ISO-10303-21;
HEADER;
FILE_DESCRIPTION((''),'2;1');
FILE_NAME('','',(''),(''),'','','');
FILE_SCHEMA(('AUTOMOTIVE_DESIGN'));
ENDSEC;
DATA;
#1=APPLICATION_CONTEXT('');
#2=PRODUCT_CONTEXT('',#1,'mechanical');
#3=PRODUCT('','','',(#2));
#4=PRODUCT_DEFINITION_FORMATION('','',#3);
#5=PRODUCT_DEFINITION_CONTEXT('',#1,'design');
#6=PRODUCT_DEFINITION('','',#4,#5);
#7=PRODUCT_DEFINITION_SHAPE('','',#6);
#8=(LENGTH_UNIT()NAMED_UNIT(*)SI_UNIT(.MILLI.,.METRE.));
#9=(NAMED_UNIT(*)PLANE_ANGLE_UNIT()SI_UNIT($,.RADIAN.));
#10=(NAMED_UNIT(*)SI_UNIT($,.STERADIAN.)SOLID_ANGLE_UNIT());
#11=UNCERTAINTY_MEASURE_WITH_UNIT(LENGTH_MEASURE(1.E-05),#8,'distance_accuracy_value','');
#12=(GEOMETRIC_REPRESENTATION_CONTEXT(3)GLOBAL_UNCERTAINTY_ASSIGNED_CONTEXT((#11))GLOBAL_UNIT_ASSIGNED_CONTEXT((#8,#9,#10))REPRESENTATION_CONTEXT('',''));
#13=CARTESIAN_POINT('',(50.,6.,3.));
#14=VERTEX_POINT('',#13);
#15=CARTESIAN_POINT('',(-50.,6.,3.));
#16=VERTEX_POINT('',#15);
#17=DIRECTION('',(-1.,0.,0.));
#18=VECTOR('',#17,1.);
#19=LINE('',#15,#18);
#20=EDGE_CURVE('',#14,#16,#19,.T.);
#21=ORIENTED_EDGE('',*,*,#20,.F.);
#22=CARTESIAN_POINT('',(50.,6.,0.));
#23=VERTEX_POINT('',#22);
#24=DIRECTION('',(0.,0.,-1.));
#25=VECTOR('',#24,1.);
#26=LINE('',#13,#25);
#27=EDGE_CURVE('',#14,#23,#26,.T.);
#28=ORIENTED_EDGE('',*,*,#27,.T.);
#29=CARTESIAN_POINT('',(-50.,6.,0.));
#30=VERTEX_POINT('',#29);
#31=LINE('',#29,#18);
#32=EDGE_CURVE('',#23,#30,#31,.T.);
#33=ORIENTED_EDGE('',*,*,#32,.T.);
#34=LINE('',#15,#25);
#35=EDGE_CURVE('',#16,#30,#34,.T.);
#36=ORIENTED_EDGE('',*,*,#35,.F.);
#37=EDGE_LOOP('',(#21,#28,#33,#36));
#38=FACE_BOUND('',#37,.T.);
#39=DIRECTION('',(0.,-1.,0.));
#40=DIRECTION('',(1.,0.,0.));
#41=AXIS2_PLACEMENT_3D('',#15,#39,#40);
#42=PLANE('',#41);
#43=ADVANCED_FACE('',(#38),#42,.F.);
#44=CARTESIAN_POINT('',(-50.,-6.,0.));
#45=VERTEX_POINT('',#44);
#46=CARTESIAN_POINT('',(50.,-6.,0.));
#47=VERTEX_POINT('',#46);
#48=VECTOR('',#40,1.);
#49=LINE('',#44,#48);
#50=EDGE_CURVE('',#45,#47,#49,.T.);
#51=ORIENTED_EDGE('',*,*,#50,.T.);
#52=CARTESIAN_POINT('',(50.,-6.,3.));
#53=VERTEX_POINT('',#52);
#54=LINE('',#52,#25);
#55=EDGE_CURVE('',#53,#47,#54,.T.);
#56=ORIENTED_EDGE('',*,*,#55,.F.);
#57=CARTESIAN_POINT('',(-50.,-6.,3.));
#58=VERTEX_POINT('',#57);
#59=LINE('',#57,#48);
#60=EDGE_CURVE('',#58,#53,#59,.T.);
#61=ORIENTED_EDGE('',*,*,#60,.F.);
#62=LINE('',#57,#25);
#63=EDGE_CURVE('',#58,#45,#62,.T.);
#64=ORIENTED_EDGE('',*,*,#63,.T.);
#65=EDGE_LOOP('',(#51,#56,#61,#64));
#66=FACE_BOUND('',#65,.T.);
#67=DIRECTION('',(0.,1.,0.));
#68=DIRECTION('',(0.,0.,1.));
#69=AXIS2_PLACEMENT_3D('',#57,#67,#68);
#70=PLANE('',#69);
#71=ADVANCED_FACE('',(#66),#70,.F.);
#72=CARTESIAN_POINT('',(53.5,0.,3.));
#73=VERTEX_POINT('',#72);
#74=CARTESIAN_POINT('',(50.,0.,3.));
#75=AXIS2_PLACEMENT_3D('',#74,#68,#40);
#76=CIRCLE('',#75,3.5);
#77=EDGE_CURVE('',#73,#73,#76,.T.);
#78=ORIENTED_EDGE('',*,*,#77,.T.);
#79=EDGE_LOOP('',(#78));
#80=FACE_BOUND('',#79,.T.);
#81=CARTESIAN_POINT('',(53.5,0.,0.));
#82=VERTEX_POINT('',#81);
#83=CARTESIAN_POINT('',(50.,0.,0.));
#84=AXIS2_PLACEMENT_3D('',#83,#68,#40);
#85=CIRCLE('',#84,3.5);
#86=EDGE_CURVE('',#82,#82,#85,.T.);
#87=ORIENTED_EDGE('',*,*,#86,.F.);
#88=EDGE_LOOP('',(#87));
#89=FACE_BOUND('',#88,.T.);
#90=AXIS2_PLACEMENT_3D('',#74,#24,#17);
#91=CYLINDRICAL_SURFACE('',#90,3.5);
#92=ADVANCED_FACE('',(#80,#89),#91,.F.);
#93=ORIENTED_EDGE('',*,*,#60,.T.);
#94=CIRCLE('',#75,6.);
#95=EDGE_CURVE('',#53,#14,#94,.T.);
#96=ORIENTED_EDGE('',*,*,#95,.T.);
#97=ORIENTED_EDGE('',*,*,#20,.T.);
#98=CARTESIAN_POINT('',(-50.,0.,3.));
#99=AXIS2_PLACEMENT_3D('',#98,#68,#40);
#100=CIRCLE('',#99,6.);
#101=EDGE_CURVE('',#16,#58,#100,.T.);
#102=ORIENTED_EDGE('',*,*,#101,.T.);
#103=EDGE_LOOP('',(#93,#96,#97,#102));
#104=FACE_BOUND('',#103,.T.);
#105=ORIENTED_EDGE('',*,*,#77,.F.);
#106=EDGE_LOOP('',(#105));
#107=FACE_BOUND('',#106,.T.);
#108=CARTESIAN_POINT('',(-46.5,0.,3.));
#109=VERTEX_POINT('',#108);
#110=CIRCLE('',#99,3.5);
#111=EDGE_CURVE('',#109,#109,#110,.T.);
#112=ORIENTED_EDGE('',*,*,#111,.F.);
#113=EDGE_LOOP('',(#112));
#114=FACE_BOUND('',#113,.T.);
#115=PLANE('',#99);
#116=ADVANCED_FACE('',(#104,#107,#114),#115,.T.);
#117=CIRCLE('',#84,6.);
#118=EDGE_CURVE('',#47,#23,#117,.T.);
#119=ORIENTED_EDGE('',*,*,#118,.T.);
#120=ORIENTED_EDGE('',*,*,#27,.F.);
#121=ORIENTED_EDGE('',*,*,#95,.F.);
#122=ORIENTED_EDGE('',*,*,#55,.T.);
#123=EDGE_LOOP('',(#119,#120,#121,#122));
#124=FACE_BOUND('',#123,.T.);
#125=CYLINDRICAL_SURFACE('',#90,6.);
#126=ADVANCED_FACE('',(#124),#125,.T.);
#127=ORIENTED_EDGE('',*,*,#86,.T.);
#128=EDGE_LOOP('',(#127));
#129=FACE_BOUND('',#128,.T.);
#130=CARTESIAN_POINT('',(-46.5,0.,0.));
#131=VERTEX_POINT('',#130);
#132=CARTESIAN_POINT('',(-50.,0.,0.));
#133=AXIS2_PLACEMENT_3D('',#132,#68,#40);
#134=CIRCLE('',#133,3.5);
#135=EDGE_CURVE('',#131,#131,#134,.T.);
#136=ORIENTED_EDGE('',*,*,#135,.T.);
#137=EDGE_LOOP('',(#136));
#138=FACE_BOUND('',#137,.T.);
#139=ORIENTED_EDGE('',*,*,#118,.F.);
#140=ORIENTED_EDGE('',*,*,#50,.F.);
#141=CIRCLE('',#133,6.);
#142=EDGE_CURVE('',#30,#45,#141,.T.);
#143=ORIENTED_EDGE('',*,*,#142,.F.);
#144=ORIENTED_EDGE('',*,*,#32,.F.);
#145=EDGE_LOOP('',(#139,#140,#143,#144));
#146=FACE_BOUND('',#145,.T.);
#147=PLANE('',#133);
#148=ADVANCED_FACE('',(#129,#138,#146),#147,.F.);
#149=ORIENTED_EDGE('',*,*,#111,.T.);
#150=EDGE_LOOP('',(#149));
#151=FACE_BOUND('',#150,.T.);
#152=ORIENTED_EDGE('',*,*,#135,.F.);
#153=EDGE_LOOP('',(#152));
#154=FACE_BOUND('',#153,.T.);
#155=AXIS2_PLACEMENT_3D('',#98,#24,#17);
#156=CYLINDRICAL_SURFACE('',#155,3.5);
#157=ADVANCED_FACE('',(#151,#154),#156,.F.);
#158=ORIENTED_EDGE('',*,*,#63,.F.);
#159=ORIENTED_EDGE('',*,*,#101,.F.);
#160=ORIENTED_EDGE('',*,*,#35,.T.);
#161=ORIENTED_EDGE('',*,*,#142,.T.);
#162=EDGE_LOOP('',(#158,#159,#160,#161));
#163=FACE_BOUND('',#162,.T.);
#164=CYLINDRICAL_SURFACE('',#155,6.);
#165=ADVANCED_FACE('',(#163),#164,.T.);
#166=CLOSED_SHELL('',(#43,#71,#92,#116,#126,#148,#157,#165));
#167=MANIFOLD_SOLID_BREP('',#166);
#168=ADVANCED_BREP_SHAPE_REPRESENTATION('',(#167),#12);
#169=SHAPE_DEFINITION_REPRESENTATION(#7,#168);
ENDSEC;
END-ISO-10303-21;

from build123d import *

# Parameters (mm, degrees)
IZIM1_R                     = 3.5
Y_KSEKLIK_EKSTR_ZYON1_DEPTH = 3


with BuildPart() as part:
    # Çizim1 → Yükseklik-Ekstrüzyon1 (new body)
    with BuildSketch(Plane.XY):
        with BuildLine():
            Line((-50, 6), (50, 6))
            ThreePointArc((50, 6), (56, 0), (50, -6))
            Line((50, -6), (-50, -6))
            ThreePointArc((-50, -6), (-56, 0), (-50, 6))
        make_face()
        with Locations((50, 0)):
            Circle(IZIM1_R, mode=Mode.SUBTRACT)
        with Locations((-50, 0)):
            Circle(IZIM1_R, mode=Mode.SUBTRACT)
    extrude(amount=Y_KSEKLIK_EKSTR_ZYON1_DEPTH)


solid = part.part
